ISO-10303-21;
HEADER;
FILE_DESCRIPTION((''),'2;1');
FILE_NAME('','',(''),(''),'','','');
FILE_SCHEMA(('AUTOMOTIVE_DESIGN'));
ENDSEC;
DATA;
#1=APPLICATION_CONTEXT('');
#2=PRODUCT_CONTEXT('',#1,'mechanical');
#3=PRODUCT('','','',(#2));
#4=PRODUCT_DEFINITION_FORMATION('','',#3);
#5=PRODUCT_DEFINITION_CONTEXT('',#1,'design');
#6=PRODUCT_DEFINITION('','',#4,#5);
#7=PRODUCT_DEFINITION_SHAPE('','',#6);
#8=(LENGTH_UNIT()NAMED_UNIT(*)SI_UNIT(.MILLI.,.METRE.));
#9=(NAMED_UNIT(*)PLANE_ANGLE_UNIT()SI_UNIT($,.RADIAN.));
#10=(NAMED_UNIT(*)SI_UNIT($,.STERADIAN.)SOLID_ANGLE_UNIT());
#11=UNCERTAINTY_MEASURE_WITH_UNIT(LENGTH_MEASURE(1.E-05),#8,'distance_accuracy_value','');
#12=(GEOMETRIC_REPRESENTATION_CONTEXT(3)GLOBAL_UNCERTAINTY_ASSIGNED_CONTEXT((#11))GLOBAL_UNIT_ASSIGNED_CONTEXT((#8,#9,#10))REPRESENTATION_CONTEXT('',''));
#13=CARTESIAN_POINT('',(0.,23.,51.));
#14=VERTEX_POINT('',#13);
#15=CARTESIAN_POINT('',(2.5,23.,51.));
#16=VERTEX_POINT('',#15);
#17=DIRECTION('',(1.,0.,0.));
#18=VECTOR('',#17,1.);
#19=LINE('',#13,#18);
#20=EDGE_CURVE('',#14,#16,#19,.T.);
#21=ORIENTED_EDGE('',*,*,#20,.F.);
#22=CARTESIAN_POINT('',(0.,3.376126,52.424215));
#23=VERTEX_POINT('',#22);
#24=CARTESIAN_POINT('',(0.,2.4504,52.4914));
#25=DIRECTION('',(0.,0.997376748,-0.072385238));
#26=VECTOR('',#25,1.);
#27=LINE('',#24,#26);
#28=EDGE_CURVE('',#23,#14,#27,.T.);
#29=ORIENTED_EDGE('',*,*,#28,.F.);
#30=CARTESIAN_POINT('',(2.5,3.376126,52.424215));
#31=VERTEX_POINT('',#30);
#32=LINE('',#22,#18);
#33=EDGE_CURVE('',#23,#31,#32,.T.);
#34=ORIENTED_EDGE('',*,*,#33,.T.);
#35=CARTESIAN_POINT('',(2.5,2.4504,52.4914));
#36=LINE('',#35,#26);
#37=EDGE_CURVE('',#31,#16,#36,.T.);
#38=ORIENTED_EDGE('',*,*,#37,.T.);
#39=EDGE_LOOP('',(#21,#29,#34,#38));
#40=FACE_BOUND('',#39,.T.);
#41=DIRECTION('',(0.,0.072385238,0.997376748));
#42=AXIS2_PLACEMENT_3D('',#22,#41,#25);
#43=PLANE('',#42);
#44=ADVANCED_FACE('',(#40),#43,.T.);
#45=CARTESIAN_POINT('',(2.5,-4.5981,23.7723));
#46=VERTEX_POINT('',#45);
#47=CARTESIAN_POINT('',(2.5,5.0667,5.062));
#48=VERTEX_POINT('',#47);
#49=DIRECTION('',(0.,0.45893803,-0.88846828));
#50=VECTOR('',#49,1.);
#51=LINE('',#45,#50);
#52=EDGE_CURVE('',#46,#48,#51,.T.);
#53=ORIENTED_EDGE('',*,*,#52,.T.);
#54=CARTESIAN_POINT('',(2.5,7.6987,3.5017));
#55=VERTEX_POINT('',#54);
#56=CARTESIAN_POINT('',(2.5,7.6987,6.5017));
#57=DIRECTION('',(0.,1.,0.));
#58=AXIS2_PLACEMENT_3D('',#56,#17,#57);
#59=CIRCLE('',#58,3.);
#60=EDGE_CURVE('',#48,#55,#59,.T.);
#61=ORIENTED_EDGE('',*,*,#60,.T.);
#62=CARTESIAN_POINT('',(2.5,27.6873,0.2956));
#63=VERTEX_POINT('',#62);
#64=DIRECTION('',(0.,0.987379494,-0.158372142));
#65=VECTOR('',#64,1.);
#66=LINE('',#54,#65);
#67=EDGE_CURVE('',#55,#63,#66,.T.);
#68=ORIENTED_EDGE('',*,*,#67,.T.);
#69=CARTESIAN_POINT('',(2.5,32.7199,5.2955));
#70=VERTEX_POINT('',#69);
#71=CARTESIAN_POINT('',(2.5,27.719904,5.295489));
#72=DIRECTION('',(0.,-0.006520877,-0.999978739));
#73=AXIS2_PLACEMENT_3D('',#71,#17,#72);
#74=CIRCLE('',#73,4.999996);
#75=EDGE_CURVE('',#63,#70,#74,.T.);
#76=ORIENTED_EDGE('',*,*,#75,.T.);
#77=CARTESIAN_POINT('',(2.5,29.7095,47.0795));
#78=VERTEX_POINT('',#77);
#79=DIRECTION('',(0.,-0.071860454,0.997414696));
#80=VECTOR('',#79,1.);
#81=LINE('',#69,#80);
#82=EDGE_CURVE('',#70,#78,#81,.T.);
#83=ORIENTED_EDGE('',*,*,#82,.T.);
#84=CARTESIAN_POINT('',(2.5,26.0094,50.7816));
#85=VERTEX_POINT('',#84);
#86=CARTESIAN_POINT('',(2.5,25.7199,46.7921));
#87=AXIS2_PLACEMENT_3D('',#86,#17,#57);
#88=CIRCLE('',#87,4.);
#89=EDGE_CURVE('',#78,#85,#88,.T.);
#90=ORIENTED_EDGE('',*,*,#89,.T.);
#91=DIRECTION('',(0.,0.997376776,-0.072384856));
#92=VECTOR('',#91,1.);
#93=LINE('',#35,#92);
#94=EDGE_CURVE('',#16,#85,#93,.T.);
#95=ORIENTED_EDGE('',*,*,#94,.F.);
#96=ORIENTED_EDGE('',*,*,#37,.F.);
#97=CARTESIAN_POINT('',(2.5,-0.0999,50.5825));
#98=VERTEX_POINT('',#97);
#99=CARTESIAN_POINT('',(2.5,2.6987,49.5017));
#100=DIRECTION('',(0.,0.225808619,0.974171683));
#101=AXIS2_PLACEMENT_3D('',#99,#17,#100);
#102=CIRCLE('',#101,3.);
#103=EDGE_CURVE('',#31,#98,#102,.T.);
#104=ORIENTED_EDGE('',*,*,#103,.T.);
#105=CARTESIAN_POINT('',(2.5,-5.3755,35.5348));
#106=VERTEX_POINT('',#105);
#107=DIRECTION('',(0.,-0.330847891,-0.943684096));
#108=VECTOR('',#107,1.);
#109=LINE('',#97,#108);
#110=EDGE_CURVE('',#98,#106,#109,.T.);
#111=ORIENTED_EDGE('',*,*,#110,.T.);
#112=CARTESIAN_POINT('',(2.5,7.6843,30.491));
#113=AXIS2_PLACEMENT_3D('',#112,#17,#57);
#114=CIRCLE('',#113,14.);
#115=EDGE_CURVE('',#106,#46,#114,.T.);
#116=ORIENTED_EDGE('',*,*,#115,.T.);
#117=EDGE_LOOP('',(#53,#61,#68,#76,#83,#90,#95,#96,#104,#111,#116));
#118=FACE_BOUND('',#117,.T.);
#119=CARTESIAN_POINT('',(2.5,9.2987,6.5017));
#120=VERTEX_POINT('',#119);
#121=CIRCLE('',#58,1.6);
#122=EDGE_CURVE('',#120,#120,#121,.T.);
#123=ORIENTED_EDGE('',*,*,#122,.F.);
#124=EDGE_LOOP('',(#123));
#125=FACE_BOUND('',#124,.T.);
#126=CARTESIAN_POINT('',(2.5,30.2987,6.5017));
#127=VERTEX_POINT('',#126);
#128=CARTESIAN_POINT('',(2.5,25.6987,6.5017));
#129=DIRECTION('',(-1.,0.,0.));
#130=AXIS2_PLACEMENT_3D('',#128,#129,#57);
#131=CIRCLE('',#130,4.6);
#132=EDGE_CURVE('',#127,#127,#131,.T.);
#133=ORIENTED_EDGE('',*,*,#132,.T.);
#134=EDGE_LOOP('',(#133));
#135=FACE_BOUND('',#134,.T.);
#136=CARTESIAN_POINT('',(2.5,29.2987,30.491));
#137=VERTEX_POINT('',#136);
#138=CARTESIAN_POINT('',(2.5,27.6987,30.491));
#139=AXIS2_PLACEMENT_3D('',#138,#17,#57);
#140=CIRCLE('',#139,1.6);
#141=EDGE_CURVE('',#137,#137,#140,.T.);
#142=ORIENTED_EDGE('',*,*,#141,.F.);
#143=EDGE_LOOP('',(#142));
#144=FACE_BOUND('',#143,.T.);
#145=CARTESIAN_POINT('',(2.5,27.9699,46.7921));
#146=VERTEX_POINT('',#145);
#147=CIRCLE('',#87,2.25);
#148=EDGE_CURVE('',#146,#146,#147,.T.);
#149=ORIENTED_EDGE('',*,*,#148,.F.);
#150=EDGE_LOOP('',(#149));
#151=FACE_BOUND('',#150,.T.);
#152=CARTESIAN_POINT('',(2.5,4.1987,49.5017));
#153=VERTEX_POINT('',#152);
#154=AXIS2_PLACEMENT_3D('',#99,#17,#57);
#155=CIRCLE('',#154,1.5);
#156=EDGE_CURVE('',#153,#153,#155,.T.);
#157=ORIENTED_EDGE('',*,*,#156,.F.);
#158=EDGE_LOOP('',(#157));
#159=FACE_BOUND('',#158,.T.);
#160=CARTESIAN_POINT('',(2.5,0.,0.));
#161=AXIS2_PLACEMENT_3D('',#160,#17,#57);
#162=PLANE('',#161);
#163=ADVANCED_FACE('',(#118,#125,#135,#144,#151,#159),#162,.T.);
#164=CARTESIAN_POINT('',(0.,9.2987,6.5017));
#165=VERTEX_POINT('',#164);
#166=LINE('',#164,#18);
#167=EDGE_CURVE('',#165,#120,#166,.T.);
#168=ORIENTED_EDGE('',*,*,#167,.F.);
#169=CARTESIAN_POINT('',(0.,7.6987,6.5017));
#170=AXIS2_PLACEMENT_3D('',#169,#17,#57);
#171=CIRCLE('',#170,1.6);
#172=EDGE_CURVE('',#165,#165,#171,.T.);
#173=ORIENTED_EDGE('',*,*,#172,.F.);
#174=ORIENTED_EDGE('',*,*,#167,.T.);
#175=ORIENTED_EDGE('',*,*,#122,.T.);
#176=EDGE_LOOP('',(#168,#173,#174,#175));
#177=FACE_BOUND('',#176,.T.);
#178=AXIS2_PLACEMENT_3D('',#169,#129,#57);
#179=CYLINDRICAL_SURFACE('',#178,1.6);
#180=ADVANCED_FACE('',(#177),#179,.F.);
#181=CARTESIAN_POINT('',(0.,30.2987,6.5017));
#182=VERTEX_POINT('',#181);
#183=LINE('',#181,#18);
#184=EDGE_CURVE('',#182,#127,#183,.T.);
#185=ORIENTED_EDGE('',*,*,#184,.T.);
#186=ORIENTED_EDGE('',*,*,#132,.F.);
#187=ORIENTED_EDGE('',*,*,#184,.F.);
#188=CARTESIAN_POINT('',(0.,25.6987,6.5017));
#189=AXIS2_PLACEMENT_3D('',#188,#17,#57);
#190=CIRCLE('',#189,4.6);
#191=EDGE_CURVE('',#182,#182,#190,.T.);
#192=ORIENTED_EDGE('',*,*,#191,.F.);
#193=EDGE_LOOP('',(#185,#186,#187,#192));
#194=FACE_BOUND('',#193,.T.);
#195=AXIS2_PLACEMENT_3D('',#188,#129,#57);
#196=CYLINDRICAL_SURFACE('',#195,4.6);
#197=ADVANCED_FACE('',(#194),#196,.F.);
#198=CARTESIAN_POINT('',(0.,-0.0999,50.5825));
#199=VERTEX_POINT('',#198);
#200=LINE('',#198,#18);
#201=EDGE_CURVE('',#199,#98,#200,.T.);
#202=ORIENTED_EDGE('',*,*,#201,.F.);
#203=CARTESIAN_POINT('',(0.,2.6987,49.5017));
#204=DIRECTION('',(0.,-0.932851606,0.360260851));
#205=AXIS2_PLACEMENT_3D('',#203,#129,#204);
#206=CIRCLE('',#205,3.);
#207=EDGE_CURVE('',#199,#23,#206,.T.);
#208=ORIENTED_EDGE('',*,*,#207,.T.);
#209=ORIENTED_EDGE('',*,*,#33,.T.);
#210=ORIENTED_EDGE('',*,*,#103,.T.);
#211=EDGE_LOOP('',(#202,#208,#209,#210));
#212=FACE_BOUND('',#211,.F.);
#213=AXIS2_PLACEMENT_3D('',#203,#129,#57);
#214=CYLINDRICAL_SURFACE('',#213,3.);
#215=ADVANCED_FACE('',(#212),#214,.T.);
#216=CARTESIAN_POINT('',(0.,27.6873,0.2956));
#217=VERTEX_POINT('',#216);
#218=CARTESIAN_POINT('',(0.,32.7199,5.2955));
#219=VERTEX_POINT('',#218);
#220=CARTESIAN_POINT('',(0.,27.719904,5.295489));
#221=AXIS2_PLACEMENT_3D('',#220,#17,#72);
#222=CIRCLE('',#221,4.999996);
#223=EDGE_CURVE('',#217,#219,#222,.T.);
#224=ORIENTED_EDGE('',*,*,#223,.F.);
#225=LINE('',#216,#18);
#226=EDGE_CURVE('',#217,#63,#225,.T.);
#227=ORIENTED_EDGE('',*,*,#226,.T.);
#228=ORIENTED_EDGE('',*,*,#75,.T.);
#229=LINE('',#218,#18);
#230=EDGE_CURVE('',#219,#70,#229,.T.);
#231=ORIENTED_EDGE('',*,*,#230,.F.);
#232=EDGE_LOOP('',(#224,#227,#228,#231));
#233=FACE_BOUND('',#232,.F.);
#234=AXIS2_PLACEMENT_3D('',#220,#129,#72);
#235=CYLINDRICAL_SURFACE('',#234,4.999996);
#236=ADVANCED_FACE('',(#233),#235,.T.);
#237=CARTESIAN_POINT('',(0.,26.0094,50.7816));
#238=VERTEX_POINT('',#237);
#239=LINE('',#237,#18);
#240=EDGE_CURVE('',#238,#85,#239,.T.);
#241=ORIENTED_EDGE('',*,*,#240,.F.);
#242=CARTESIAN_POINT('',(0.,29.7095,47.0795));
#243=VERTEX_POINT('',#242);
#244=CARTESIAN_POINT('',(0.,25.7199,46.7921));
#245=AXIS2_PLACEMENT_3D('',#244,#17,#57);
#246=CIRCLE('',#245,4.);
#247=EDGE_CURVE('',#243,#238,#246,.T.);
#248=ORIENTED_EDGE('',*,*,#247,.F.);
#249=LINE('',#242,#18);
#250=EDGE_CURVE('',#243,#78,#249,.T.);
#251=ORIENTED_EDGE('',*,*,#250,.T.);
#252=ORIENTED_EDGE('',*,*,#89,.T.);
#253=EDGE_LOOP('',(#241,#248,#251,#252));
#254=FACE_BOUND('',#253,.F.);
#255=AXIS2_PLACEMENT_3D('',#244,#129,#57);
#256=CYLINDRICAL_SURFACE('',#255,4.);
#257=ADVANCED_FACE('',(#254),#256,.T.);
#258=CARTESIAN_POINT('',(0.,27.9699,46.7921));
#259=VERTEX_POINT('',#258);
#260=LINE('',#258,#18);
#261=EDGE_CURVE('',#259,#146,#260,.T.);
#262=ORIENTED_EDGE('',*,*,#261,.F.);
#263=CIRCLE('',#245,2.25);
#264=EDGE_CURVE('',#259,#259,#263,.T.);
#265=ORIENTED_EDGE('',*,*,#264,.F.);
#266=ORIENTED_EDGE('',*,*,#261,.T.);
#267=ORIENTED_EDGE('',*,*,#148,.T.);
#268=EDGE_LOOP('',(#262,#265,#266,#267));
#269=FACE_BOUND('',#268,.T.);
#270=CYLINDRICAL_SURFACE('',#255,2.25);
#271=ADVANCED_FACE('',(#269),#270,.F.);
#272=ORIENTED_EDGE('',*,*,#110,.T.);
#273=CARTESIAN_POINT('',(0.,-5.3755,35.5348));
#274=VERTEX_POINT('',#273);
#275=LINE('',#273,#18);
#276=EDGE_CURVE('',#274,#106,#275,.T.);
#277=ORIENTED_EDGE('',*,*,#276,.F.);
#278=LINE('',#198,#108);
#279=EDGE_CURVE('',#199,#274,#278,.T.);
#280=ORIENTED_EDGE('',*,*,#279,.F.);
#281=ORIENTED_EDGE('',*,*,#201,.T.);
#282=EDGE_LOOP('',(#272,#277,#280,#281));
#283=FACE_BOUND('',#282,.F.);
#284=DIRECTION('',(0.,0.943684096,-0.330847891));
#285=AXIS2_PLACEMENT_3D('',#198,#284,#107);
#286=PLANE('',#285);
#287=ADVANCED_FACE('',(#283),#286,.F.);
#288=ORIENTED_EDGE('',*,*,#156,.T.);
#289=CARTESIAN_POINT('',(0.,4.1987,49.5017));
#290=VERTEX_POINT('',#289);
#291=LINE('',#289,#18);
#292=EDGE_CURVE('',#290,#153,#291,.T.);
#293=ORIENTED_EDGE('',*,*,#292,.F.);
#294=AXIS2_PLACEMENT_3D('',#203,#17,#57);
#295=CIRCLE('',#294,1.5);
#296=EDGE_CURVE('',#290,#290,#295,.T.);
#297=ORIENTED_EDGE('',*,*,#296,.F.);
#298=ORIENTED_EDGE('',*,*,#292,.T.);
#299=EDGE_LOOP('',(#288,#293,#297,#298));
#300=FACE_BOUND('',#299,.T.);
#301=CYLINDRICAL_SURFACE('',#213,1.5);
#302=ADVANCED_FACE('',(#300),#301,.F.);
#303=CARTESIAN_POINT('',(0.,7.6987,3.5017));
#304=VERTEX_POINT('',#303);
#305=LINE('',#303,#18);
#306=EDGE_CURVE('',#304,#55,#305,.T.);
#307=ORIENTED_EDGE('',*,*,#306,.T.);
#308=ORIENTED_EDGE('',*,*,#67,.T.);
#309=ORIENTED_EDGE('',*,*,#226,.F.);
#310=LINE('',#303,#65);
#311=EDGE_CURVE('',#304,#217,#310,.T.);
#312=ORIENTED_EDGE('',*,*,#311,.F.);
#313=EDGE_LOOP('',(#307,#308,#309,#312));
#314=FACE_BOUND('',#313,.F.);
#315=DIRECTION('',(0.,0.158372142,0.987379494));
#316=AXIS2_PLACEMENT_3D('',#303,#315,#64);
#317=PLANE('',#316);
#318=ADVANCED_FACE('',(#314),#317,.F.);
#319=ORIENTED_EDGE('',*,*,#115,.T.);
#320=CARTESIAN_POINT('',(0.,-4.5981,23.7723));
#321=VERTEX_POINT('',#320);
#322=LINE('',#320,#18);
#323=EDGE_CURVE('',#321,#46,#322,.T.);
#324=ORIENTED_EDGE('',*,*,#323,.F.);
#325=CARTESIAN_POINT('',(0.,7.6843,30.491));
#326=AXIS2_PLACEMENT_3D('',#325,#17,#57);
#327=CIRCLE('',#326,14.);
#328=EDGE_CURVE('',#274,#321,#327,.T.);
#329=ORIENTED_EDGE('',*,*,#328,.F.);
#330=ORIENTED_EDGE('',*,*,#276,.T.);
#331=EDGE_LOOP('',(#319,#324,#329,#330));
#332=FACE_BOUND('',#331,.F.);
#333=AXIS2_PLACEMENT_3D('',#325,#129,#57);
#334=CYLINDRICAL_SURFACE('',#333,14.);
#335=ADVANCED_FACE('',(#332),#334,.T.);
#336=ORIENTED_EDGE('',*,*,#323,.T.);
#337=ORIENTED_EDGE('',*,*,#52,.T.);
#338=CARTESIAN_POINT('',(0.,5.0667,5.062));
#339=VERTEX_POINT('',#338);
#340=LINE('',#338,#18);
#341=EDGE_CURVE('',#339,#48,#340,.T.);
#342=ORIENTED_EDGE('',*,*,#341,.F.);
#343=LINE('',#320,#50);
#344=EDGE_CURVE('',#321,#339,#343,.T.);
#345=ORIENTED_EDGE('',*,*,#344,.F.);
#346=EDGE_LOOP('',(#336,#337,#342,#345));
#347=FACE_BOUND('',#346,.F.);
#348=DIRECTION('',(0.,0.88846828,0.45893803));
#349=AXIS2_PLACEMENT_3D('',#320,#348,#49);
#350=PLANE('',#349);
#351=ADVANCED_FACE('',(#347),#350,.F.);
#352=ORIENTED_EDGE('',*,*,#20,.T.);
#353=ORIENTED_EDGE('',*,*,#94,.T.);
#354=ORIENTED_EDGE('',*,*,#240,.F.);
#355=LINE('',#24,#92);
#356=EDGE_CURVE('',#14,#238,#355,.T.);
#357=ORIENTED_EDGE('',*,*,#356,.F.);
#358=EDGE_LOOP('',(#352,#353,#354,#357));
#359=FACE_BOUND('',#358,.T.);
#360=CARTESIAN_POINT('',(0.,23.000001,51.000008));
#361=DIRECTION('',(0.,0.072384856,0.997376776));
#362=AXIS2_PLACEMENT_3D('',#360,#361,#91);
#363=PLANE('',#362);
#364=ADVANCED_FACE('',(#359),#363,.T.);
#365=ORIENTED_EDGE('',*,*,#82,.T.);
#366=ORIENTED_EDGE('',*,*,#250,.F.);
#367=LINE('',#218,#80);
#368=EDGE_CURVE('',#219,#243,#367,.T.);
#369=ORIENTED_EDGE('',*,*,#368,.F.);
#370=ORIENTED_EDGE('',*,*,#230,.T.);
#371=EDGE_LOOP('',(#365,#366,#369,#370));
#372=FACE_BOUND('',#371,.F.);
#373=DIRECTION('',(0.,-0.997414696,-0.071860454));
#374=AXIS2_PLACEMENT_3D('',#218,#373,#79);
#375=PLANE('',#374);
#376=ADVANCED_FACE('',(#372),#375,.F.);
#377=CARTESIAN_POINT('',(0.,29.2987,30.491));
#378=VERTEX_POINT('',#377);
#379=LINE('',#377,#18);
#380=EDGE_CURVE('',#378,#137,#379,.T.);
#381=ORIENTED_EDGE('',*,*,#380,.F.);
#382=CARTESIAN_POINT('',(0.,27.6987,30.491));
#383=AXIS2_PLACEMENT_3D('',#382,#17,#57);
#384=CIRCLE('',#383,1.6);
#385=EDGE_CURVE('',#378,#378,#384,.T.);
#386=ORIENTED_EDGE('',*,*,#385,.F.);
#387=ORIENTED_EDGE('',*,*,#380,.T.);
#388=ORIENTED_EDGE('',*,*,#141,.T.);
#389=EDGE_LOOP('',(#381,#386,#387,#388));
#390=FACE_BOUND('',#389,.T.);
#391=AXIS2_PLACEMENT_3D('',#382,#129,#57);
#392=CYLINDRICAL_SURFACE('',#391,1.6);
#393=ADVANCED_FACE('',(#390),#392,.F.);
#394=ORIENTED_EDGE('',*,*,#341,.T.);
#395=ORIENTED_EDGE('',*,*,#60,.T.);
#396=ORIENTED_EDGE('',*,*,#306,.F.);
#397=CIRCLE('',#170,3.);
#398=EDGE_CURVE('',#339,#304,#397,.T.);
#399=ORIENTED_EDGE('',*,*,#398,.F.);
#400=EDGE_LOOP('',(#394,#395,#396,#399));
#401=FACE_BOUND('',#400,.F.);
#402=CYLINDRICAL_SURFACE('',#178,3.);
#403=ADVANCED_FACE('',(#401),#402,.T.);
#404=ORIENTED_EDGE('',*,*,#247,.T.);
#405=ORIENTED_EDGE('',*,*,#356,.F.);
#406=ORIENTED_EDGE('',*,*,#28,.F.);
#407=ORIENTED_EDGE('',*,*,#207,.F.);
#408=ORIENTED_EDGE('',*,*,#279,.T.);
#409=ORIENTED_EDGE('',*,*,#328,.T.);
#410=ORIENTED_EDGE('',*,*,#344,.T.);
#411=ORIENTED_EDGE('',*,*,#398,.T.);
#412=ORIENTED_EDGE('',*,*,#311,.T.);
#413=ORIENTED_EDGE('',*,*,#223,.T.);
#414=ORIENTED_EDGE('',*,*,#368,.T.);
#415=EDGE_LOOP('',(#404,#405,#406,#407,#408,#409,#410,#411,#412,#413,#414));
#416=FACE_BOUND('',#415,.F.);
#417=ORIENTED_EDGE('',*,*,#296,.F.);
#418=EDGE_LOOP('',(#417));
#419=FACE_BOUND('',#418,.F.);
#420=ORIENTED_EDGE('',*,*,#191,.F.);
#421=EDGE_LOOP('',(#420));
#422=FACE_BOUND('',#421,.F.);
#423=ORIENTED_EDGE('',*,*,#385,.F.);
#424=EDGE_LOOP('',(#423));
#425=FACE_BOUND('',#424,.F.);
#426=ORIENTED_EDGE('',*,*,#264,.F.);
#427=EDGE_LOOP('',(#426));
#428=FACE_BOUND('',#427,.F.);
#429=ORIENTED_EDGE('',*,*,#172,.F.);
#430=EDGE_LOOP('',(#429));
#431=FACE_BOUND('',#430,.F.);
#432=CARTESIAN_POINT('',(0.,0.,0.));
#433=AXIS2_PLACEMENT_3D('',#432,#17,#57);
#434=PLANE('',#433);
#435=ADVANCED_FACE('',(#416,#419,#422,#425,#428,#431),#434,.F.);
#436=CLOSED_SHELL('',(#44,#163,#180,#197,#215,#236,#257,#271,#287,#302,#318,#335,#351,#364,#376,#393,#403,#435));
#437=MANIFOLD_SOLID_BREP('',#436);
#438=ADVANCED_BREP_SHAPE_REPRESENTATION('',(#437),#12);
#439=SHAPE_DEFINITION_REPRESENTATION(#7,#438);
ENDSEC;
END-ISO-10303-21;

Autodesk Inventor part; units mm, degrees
ref_plane "YZ Plane" through (0, 0, 0) normal (1, 0, 0) x (0, 1, 0)
ref_plane "XZ Plane" through (0, 0, 0) normal (0, 1, 0) x (-1, 0, 0)
ref_plane "XY Plane" through (0, 0, 0) normal (0, 0, 1) x (1, 0, 0)
sketch "Эскиз1" plane through (0, 0, 0) normal (1, 0, 0) x (0, 1, 0)
  circle A0 centre (25.7199, 46.7921) radius 2.25
  circle A1 centre (25.6987, 6.5017) radius 4.6
  circle A2 centre (7.6987, 6.5017) radius 1.6
  arc A3 (27.6873, 0.2956) -> (32.7199, 5.2955) centre (27.7199, 5.2955) ccw
  circle A4 centre (7.6843, 30.491) radius 14
  arc A5 (14.2267, 42.8683) -> (-1.4853, 19.9118) centre (7.6843, 30.491) ccw
  circle A6 centre (27.6987, 30.491) radius 1.6
  line L0 (7.6843, 30.491) -> (25.6987, 6.5017)
  circle A7 centre (2.6987, 49.5017) radius 1.5
  circle A8 centre (7.6987, 6.5017) radius 3
  line L1 (7.6987, 3.5017) -> (27.6873, 0.2956)
  circle A9 centre (2.6987, 49.5017) radius 3
  line L2 (-3.2958, 40.9198) -> (-5.3755, 35.5348)
  line L3 (-0.0999, 50.5825) -> (-5.3755, 35.5348)
  line L4 (-1.3769, 17.8835) -> (-4.5981, 23.7723)
  line L5 (-4.5981, 23.7723) -> (5.0667, 5.062)
  circle A10 centre (25.7199, 46.7921) radius 4
  line L6 (2.4504, 52.4914) -> (23, 51)
  line L7 (2.4504, 52.4914) -> (26.0094, 50.7816)
  line L8 (32.7199, 5.2955) -> (29.7095, 47.0795)
  point P0 (0, 0)
  point P1 (-2.3427, 0)
  point P2 (7.6843, 30.491)
  point P3 (7.6843, 30.491)
  point P4 (-4.5981, 23.7723)
  point P5 (-3.3371, 41.4181)
  point P6 (-5.3755, 35.5348)
  point P7 (5.0013, 5.1886)
  point P8 (-0.1621, 50.405)
  point P9 (3.376, 52.4242)
  dimension "d132" = 28
  dimension "d9" = 4.5
  dimension "d86" = 9.2
  dimension "d87" = 3.2
  dimension "d92" = 5
  dimension "d145" = 3.2
  dimension "d191" = 30
  dimension "d227" = 3
  dimension "d234" = 6
  dimension "d235" = 6
  dimension "d242" = 8
extrude "Выдавливание1" add sketch "Эскиз1" along normal blind 2.5 contours A8 | A4 L3 A9 L6 L7 A10 L8 A3 L1 A8 L5 | A4 | L6 A9 | A10
equation "\"Радиус_гибки\" = Толщина"
equation "\"Ширина_просечки\" = Толщина"
equation "\"Глубина_просечки\" = 0.5 * Толщина"
equation "\"Размер_просечки\" = 4 * Толщина"
equation "\"Мин_остаток\" = 2 * Толщина"
equation "\"Радиус_перехода\" = Радиус_гибки"
equation "\"Радиус_Якоби\" = Радиус_гибки"
equation "\"Размер_зазора\" = Толщина"
equation "\"Толщина\" = 3.048"
properties part number "drib_lef"
